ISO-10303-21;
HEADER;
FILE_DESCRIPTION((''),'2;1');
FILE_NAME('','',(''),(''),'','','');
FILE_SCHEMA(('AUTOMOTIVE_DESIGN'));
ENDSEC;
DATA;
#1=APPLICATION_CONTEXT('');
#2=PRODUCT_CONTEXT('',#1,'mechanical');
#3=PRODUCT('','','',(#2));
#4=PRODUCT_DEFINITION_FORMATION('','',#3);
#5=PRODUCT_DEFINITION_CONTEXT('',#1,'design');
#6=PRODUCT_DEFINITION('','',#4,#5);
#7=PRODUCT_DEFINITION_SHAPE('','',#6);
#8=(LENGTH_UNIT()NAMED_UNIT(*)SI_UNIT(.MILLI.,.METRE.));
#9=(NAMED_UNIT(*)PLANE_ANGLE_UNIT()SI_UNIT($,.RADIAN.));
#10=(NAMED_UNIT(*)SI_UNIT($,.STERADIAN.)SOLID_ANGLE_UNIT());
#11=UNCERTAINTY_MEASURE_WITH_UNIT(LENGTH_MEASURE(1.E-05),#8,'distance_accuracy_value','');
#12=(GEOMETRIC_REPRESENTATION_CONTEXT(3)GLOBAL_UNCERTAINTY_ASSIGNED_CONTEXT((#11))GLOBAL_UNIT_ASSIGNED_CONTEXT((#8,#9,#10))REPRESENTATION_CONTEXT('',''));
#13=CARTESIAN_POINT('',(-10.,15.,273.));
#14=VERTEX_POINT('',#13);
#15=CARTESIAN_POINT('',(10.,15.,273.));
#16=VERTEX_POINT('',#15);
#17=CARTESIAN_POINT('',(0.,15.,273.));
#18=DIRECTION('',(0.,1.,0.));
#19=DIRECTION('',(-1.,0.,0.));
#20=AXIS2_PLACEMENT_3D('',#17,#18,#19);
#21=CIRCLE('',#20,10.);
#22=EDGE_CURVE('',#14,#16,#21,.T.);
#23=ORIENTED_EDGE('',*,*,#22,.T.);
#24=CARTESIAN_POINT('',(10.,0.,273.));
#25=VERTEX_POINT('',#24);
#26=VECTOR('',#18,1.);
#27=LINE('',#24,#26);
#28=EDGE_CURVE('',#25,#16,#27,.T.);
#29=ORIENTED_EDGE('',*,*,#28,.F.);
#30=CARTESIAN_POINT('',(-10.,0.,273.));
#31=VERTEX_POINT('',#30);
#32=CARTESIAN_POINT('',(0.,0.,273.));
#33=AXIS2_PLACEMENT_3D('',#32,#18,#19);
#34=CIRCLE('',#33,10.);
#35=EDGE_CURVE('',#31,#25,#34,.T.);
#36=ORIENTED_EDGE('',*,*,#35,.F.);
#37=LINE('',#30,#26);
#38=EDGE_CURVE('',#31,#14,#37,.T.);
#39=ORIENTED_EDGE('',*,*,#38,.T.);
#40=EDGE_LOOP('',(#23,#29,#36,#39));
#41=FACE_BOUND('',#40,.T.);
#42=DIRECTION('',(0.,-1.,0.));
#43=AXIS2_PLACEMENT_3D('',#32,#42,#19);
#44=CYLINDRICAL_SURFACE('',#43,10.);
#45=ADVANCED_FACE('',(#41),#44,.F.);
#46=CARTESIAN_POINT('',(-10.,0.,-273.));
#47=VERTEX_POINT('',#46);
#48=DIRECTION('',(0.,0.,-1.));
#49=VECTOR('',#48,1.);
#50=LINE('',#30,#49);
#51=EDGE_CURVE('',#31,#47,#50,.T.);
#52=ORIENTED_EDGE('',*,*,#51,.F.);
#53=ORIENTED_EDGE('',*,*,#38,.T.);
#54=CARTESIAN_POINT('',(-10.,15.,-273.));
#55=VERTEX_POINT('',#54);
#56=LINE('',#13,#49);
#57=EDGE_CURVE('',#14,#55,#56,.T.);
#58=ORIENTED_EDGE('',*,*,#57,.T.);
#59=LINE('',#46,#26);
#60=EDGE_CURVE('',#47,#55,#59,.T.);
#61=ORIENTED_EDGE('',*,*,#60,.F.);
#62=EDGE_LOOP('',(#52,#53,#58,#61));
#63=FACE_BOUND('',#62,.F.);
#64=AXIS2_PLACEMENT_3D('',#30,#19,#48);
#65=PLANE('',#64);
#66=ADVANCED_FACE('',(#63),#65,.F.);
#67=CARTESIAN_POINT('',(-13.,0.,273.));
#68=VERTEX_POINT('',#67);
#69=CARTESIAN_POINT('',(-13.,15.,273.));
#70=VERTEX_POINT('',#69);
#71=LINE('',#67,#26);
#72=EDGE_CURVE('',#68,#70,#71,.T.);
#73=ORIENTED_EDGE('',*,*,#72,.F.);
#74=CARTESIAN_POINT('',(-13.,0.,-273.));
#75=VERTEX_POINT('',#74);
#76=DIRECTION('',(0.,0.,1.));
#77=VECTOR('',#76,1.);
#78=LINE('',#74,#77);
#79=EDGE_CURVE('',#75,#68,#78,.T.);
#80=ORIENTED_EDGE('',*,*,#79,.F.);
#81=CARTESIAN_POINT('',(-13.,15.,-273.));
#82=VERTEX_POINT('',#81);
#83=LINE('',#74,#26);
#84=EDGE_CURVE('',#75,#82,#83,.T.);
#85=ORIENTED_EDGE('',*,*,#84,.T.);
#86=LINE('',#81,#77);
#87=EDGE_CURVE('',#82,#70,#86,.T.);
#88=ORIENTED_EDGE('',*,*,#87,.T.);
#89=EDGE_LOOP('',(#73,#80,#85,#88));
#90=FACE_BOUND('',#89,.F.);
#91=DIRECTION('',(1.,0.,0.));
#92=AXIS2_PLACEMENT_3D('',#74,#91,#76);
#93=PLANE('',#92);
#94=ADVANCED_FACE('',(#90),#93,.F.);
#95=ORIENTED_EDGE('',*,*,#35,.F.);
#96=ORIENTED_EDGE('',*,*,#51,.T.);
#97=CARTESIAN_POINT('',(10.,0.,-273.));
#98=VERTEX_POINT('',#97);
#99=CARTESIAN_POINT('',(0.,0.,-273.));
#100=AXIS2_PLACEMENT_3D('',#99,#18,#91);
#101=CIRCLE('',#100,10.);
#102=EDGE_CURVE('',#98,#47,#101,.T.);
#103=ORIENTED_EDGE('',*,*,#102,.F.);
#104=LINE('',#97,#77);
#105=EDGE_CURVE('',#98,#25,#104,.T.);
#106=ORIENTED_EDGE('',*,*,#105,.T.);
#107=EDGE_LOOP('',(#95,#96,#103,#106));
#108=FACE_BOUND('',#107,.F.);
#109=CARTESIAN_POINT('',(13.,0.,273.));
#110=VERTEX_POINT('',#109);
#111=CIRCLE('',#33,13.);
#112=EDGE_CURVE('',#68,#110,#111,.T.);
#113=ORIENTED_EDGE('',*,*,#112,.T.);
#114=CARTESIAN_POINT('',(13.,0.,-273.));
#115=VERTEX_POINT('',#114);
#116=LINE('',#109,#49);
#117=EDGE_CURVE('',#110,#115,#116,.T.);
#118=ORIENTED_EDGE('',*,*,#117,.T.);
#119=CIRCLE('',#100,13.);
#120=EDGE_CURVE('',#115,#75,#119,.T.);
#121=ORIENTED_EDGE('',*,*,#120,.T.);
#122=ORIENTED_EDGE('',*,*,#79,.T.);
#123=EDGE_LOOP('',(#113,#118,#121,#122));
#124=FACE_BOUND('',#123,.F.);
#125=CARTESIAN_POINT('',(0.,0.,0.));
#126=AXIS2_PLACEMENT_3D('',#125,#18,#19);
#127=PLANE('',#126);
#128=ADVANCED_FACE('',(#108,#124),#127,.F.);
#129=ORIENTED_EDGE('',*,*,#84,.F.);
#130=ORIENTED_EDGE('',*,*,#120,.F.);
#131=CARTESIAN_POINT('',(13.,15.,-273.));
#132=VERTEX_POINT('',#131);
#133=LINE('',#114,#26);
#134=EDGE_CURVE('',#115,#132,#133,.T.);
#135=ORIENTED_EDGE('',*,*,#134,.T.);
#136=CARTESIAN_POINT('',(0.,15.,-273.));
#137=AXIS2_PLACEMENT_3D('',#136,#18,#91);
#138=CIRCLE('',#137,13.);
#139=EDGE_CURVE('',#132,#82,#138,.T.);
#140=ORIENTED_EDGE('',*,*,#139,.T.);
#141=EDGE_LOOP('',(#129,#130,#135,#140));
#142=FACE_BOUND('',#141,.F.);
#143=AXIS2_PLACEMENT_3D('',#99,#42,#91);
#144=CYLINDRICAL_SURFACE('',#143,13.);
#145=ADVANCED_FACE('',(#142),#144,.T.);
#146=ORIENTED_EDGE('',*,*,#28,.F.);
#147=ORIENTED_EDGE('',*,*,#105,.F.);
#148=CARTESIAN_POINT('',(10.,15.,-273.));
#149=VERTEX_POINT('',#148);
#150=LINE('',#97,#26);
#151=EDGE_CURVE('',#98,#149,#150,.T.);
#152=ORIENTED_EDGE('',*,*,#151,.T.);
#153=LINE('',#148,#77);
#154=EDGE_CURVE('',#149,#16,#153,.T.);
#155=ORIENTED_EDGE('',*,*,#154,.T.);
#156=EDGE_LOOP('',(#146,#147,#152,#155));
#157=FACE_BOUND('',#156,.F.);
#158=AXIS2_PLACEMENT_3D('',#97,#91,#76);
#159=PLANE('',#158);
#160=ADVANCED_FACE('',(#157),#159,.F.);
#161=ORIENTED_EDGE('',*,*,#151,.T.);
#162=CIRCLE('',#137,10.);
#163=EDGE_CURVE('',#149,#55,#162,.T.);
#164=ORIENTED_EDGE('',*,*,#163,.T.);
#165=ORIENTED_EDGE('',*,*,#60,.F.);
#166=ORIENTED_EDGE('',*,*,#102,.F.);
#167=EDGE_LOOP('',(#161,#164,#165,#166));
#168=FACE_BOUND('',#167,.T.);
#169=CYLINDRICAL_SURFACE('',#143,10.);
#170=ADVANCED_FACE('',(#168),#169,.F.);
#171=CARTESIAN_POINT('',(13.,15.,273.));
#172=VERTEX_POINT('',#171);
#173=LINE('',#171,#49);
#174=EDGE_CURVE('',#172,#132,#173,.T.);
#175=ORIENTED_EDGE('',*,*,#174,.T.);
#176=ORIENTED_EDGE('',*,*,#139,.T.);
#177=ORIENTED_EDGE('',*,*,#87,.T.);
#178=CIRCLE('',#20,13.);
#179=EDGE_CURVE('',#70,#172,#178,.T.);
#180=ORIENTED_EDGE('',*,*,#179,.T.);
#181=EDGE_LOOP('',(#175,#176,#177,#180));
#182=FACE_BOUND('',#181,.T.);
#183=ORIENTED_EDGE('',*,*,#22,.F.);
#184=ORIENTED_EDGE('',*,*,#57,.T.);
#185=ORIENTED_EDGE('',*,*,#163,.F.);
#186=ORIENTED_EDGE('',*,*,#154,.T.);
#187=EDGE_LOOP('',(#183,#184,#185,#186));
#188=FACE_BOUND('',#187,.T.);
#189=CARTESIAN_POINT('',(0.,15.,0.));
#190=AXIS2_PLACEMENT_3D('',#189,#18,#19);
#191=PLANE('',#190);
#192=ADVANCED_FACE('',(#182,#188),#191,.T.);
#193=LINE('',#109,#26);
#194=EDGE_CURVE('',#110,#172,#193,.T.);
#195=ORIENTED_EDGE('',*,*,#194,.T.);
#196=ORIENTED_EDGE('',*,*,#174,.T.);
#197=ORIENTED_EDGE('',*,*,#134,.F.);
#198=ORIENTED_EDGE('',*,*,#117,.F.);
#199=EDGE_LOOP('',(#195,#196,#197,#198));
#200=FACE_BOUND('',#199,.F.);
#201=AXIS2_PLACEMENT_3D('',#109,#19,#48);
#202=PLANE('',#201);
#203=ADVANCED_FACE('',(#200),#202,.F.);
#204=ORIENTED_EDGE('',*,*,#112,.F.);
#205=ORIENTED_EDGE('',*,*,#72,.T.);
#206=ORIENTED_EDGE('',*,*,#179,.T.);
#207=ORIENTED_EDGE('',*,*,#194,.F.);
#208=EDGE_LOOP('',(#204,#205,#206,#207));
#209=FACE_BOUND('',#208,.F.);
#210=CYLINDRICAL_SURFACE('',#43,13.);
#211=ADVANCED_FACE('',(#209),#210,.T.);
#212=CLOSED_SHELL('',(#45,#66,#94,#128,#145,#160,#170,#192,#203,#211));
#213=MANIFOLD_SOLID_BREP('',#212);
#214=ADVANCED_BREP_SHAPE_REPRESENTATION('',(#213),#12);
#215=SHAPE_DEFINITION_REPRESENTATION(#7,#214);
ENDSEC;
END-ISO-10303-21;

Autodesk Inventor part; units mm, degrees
ref_plane "YZ Plane" through (0, 0, 0) normal (1, 0, 0) x (0, 1, 0)
ref_plane "XZ Plane" through (0, 0, 0) normal (0, 1, 0) x (-1, 0, 0)
ref_plane "XY Plane" through (0, 0, 0) normal (0, 0, 1) x (1, 0, 0)
sketch "Sketch1" plane through (0, 0, 0) normal (0, 1, 0) x (-1, 0, 0)
  line L0 (0, 283) -> (0, -283) construction
  line L1 (10, 273) -> (10, -273)
  line L2 (-10, -273) -> (-10, 273)
  arc A0 (10, 273) -> (-10, 273) centre (0, 273) ccw
  arc A1 (-10, -273) -> (10, -273) centre (0, -273) ccw
  line L3 (13, -273) -> (13, 273)
  arc A2 (13, 273) -> (-13, 273) centre (0, 273) ccw
  line L4 (-13, 273) -> (-13, -273)
  arc A3 (-13, -273) -> (13, -273) centre (0, -273) ccw
  point P0 (0, 0)
  point P1 (0, 0)
  dimension "d0" = 10
  dimension "d1" = 546
  dimension "d2" = 3
extrude "Extrusion1" add sketch "Sketch1" along normal blind 15
properties part number "X_Zahnriemen"
